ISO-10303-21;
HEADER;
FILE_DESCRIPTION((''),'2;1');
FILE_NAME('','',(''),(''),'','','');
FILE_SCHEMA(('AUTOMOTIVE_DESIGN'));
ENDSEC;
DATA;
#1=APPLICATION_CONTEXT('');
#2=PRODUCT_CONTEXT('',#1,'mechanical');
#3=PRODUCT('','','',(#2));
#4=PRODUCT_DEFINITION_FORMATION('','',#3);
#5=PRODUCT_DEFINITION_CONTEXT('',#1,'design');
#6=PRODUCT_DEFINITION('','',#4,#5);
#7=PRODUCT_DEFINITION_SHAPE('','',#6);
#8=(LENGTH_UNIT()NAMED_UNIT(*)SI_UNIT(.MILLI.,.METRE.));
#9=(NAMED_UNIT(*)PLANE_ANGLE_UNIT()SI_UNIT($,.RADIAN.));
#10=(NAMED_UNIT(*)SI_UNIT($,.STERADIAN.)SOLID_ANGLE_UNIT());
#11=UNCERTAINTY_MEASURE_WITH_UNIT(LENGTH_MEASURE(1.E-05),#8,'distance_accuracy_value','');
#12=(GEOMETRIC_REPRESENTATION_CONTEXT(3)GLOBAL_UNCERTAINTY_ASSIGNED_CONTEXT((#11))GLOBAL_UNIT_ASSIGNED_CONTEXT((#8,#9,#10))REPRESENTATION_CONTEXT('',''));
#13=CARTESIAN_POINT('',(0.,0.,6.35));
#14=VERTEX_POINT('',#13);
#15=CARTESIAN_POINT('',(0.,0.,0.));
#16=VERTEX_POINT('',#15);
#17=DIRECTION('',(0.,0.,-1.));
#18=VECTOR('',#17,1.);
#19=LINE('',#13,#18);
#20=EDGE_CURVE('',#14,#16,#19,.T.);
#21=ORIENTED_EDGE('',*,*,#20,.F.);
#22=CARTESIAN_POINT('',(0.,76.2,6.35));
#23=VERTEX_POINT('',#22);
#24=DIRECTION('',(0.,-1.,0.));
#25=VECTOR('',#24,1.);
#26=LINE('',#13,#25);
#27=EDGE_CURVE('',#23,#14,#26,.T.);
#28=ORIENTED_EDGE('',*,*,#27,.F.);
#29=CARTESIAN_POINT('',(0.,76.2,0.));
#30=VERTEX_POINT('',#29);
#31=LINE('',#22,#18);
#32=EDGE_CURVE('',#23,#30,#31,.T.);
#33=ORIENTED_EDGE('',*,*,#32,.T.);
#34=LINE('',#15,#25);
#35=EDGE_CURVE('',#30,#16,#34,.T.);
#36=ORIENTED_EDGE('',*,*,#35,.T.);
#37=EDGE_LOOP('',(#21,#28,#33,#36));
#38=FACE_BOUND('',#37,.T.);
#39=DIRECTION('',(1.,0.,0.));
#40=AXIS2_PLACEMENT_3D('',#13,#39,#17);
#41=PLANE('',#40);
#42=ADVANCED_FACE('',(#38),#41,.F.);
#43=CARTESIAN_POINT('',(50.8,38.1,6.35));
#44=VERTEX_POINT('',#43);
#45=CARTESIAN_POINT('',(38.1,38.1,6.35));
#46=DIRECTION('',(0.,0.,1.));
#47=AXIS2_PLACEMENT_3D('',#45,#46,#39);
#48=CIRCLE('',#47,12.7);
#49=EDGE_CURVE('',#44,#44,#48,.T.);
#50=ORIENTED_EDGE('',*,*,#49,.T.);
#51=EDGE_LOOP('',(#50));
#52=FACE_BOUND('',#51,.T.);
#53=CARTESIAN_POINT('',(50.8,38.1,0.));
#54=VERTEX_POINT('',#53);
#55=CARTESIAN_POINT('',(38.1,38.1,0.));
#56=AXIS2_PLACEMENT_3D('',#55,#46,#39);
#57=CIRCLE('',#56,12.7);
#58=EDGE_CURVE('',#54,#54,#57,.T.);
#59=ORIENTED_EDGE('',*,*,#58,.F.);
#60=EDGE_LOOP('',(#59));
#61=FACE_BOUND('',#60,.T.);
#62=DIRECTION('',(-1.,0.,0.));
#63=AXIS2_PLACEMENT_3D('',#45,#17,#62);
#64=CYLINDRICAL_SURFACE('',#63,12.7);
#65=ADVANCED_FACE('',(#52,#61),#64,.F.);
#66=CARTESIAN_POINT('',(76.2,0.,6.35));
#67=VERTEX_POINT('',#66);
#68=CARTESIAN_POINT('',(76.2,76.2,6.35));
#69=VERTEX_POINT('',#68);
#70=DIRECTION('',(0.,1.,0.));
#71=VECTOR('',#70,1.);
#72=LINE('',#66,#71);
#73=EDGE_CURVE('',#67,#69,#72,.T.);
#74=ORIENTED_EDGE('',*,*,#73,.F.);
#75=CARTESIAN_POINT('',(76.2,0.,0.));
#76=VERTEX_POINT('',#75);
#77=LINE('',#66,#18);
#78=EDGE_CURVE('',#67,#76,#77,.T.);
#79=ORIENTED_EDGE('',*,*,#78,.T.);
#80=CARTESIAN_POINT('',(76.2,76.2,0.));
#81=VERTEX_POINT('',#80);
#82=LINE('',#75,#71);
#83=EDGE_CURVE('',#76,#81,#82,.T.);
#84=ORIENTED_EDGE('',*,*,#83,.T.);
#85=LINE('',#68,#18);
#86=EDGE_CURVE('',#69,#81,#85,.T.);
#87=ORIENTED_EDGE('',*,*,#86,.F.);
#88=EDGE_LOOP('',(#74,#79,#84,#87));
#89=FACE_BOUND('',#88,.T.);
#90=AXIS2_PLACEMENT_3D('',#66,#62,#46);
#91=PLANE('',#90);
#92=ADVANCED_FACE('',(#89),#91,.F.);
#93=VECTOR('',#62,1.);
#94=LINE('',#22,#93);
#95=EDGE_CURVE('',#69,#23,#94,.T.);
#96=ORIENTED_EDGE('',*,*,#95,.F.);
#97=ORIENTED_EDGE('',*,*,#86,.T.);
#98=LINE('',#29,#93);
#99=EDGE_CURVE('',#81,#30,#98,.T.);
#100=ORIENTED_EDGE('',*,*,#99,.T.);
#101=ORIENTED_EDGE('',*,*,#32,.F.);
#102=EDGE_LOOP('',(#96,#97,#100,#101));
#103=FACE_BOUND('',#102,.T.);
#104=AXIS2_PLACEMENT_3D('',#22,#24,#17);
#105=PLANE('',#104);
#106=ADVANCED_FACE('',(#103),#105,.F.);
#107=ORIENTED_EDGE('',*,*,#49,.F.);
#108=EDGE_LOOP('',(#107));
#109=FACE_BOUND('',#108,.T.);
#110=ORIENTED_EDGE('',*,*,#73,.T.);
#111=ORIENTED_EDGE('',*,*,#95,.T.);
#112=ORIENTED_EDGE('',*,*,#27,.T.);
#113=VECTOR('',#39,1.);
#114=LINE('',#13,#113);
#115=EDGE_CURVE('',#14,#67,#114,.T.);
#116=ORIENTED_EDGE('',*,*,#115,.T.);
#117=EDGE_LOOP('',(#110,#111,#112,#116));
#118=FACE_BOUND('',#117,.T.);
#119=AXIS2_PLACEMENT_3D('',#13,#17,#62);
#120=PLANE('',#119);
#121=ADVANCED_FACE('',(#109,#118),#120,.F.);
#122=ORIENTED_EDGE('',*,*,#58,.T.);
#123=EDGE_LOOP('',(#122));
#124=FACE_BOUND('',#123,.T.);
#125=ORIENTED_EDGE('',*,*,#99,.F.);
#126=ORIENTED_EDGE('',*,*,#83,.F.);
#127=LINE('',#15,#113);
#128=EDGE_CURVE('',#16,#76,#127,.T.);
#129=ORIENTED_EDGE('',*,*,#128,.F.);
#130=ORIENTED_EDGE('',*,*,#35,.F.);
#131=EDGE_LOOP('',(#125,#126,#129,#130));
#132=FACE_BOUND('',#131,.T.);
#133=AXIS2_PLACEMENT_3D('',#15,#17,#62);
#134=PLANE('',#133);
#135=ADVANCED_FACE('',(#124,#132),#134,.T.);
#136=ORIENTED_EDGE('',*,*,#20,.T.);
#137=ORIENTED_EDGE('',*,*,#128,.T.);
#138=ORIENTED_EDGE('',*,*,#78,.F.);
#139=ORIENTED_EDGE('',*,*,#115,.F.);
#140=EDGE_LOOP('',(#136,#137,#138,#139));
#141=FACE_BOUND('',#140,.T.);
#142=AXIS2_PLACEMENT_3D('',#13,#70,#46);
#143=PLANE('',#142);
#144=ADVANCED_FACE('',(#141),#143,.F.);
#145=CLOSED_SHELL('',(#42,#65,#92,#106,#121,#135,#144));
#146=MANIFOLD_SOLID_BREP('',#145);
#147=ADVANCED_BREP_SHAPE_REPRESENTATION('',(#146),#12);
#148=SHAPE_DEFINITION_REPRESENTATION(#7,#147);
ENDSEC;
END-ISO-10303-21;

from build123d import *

# Parameters (mm, degrees)
SKETCH1_W           = 76.2
SKETCH1_H           = 76.2
SKETCH1_R           = 12.7
BOSS_EXTRUDE1_DEPTH = 6.35


with BuildPart() as part:
    # Sketch1 → Boss-Extrude1 (new body)
    with BuildSketch(Plane.XY):
        with Locations((38.1, 38.1)):
            Rectangle(SKETCH1_W, SKETCH1_H)
        with Locations((38.1, 38.1)):
            Circle(SKETCH1_R, mode=Mode.SUBTRACT)
    extrude(amount=BOSS_EXTRUDE1_DEPTH)


solid = part.part
